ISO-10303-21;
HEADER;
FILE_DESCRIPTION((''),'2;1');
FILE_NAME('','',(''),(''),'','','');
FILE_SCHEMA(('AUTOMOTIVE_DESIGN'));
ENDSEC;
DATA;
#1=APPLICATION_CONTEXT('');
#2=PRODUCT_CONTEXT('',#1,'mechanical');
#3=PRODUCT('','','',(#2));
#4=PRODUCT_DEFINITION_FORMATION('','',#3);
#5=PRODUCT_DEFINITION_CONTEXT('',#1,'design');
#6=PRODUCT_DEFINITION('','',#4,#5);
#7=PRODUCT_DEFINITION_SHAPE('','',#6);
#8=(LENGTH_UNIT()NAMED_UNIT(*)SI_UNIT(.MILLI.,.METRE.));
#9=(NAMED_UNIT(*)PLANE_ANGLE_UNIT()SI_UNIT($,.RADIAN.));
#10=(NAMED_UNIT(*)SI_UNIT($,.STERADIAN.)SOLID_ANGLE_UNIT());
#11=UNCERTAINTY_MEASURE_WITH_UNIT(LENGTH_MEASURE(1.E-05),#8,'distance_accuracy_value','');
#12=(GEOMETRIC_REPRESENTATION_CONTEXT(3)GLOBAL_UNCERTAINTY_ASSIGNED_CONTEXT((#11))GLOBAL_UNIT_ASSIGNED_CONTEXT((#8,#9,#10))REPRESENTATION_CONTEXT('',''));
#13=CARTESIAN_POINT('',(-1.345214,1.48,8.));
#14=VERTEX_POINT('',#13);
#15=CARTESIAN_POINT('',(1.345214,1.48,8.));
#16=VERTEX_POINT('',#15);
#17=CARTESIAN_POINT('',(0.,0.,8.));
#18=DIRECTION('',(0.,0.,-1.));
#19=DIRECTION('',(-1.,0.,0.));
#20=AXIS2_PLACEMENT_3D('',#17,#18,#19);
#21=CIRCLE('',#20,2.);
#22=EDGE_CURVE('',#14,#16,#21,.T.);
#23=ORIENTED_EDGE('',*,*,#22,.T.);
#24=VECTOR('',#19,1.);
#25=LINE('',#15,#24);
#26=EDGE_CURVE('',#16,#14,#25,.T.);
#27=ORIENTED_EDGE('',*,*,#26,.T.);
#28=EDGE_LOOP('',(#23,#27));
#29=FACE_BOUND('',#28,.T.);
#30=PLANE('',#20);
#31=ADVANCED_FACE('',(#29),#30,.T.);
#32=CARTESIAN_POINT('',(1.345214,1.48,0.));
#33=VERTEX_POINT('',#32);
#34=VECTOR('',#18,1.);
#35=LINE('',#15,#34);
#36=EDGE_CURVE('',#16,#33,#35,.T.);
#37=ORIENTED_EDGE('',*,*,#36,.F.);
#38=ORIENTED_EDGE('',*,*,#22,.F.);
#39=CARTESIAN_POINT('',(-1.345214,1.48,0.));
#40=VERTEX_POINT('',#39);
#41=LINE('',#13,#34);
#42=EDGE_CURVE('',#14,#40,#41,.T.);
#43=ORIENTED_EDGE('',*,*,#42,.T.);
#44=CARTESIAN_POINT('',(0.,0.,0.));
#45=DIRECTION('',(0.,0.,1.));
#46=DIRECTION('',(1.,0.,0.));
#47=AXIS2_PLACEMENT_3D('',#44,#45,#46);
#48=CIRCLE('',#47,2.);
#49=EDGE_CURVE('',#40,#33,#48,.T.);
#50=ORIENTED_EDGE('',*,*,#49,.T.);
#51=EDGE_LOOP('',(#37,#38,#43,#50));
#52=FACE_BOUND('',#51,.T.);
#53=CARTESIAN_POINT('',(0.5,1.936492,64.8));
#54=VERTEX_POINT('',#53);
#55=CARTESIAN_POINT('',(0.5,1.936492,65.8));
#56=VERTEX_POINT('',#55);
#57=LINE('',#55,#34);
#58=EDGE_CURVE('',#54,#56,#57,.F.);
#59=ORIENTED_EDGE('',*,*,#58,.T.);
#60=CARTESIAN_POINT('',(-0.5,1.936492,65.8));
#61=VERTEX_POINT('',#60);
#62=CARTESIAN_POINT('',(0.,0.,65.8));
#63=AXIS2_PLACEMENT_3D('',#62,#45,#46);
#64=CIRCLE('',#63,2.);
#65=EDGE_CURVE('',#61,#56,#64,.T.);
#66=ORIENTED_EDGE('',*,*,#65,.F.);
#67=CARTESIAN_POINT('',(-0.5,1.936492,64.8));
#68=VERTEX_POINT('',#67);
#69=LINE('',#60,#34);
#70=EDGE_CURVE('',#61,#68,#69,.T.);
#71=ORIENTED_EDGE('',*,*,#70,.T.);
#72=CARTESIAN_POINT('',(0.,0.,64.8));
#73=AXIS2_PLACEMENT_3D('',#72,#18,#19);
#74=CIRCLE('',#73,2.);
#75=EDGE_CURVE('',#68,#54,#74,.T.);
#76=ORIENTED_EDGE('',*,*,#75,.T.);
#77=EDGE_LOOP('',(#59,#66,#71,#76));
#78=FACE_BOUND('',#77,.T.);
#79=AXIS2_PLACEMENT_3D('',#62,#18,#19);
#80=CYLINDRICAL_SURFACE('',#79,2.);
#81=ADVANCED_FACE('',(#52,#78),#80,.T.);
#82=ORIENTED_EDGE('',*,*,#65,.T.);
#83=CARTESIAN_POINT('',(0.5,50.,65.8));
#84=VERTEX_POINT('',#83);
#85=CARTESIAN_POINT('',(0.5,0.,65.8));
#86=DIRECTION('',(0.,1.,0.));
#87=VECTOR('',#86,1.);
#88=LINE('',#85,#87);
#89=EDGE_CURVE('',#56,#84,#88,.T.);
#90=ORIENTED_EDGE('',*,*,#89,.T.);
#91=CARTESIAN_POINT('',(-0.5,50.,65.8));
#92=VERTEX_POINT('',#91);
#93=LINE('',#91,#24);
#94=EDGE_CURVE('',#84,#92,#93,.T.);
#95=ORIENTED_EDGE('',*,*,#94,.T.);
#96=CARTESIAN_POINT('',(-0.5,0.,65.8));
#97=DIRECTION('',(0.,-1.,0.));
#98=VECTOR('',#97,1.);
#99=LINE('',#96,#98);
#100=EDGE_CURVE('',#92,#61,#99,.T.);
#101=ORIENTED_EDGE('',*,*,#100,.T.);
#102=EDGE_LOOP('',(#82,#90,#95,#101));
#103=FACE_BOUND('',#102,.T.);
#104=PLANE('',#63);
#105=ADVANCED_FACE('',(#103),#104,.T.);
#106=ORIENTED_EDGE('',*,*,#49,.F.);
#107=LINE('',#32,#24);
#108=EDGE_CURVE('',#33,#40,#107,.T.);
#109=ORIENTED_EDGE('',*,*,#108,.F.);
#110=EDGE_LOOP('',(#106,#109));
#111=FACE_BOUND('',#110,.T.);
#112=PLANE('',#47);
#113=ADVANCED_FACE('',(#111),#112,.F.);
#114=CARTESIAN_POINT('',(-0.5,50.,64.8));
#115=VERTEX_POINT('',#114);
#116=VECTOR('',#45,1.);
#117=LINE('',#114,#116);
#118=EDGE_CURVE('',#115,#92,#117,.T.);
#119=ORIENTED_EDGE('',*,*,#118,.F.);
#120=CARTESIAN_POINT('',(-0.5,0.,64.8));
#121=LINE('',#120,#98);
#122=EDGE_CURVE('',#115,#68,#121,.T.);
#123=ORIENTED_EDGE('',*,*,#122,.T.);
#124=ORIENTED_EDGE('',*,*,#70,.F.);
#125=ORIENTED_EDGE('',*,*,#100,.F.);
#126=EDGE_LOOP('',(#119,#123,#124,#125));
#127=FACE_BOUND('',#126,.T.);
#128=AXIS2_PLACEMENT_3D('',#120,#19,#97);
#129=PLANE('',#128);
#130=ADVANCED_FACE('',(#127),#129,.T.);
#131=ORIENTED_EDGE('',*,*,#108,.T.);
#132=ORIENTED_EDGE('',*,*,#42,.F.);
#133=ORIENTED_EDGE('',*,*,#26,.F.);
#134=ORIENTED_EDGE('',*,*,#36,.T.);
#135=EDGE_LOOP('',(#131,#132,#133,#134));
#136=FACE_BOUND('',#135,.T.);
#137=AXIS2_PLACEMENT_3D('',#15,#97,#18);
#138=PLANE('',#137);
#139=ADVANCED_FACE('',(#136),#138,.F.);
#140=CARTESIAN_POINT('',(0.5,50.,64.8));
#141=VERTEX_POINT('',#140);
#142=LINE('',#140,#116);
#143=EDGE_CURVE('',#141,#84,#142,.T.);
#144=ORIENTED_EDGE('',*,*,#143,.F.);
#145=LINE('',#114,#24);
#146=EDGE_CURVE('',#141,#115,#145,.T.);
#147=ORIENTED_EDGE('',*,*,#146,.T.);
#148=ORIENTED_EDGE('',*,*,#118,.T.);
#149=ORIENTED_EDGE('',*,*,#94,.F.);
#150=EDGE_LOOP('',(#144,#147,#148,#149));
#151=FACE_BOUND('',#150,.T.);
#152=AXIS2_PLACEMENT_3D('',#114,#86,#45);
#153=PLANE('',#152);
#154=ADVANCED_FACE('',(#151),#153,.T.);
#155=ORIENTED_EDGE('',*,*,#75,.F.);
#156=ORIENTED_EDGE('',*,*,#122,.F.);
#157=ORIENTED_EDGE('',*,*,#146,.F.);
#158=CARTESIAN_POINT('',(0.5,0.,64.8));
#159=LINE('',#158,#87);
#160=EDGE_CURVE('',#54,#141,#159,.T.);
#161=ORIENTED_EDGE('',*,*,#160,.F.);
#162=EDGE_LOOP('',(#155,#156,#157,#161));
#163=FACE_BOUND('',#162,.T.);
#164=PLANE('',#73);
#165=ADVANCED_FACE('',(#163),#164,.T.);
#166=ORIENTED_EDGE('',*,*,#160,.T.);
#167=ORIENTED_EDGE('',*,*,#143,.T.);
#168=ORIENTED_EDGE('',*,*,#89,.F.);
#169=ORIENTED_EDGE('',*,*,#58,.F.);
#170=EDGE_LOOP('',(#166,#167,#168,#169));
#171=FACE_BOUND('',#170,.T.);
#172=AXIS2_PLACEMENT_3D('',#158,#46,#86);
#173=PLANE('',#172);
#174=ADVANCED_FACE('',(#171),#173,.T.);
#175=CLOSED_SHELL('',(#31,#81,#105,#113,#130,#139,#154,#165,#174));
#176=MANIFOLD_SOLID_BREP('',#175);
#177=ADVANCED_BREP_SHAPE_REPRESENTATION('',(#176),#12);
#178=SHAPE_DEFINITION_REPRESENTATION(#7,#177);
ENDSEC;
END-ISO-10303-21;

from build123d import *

# Parameters (mm, degrees)
SKETCH1_R           = 2
BOSS_EXTRUDE1_DEPTH = 65.8
CUT_EXTRUDE1_DEPTH  = 8
SKETCH3_W           = 1
SKETCH3_H           = 50
BOSS_EXTRUDE2_DEPTH = 1


with BuildPart() as part:
    # Sketch1 → Boss-Extrude1 (new body)
    with BuildSketch(Plane.XY):
        Circle(SKETCH1_R)
    extrude(amount=BOSS_EXTRUDE1_DEPTH)

    # Sketch2 → Cut-Extrude1 (cut)
    with BuildSketch(Plane(origin=(0, 0, 0), x_dir=(-1, 0, 0), z_dir=(0, 0, -1))):
        with BuildLine():
            Line((-1.345213738, 1.48), (1.345213738, 1.48))
            ThreePointArc((1.345213738, 1.48), (0, 2), (-1.345213738, 1.48))
        make_face()
    extrude(amount=-CUT_EXTRUDE1_DEPTH, mode=Mode.SUBTRACT)

    # Sketch3 → Boss-Extrude2 (add)
    with BuildSketch(Plane.XY.offset(65.8)):
        with Locations((0, 25)):
            Rectangle(SKETCH3_W, SKETCH3_H)
    extrude(amount=-BOSS_EXTRUDE2_DEPTH)


solid = part.part
